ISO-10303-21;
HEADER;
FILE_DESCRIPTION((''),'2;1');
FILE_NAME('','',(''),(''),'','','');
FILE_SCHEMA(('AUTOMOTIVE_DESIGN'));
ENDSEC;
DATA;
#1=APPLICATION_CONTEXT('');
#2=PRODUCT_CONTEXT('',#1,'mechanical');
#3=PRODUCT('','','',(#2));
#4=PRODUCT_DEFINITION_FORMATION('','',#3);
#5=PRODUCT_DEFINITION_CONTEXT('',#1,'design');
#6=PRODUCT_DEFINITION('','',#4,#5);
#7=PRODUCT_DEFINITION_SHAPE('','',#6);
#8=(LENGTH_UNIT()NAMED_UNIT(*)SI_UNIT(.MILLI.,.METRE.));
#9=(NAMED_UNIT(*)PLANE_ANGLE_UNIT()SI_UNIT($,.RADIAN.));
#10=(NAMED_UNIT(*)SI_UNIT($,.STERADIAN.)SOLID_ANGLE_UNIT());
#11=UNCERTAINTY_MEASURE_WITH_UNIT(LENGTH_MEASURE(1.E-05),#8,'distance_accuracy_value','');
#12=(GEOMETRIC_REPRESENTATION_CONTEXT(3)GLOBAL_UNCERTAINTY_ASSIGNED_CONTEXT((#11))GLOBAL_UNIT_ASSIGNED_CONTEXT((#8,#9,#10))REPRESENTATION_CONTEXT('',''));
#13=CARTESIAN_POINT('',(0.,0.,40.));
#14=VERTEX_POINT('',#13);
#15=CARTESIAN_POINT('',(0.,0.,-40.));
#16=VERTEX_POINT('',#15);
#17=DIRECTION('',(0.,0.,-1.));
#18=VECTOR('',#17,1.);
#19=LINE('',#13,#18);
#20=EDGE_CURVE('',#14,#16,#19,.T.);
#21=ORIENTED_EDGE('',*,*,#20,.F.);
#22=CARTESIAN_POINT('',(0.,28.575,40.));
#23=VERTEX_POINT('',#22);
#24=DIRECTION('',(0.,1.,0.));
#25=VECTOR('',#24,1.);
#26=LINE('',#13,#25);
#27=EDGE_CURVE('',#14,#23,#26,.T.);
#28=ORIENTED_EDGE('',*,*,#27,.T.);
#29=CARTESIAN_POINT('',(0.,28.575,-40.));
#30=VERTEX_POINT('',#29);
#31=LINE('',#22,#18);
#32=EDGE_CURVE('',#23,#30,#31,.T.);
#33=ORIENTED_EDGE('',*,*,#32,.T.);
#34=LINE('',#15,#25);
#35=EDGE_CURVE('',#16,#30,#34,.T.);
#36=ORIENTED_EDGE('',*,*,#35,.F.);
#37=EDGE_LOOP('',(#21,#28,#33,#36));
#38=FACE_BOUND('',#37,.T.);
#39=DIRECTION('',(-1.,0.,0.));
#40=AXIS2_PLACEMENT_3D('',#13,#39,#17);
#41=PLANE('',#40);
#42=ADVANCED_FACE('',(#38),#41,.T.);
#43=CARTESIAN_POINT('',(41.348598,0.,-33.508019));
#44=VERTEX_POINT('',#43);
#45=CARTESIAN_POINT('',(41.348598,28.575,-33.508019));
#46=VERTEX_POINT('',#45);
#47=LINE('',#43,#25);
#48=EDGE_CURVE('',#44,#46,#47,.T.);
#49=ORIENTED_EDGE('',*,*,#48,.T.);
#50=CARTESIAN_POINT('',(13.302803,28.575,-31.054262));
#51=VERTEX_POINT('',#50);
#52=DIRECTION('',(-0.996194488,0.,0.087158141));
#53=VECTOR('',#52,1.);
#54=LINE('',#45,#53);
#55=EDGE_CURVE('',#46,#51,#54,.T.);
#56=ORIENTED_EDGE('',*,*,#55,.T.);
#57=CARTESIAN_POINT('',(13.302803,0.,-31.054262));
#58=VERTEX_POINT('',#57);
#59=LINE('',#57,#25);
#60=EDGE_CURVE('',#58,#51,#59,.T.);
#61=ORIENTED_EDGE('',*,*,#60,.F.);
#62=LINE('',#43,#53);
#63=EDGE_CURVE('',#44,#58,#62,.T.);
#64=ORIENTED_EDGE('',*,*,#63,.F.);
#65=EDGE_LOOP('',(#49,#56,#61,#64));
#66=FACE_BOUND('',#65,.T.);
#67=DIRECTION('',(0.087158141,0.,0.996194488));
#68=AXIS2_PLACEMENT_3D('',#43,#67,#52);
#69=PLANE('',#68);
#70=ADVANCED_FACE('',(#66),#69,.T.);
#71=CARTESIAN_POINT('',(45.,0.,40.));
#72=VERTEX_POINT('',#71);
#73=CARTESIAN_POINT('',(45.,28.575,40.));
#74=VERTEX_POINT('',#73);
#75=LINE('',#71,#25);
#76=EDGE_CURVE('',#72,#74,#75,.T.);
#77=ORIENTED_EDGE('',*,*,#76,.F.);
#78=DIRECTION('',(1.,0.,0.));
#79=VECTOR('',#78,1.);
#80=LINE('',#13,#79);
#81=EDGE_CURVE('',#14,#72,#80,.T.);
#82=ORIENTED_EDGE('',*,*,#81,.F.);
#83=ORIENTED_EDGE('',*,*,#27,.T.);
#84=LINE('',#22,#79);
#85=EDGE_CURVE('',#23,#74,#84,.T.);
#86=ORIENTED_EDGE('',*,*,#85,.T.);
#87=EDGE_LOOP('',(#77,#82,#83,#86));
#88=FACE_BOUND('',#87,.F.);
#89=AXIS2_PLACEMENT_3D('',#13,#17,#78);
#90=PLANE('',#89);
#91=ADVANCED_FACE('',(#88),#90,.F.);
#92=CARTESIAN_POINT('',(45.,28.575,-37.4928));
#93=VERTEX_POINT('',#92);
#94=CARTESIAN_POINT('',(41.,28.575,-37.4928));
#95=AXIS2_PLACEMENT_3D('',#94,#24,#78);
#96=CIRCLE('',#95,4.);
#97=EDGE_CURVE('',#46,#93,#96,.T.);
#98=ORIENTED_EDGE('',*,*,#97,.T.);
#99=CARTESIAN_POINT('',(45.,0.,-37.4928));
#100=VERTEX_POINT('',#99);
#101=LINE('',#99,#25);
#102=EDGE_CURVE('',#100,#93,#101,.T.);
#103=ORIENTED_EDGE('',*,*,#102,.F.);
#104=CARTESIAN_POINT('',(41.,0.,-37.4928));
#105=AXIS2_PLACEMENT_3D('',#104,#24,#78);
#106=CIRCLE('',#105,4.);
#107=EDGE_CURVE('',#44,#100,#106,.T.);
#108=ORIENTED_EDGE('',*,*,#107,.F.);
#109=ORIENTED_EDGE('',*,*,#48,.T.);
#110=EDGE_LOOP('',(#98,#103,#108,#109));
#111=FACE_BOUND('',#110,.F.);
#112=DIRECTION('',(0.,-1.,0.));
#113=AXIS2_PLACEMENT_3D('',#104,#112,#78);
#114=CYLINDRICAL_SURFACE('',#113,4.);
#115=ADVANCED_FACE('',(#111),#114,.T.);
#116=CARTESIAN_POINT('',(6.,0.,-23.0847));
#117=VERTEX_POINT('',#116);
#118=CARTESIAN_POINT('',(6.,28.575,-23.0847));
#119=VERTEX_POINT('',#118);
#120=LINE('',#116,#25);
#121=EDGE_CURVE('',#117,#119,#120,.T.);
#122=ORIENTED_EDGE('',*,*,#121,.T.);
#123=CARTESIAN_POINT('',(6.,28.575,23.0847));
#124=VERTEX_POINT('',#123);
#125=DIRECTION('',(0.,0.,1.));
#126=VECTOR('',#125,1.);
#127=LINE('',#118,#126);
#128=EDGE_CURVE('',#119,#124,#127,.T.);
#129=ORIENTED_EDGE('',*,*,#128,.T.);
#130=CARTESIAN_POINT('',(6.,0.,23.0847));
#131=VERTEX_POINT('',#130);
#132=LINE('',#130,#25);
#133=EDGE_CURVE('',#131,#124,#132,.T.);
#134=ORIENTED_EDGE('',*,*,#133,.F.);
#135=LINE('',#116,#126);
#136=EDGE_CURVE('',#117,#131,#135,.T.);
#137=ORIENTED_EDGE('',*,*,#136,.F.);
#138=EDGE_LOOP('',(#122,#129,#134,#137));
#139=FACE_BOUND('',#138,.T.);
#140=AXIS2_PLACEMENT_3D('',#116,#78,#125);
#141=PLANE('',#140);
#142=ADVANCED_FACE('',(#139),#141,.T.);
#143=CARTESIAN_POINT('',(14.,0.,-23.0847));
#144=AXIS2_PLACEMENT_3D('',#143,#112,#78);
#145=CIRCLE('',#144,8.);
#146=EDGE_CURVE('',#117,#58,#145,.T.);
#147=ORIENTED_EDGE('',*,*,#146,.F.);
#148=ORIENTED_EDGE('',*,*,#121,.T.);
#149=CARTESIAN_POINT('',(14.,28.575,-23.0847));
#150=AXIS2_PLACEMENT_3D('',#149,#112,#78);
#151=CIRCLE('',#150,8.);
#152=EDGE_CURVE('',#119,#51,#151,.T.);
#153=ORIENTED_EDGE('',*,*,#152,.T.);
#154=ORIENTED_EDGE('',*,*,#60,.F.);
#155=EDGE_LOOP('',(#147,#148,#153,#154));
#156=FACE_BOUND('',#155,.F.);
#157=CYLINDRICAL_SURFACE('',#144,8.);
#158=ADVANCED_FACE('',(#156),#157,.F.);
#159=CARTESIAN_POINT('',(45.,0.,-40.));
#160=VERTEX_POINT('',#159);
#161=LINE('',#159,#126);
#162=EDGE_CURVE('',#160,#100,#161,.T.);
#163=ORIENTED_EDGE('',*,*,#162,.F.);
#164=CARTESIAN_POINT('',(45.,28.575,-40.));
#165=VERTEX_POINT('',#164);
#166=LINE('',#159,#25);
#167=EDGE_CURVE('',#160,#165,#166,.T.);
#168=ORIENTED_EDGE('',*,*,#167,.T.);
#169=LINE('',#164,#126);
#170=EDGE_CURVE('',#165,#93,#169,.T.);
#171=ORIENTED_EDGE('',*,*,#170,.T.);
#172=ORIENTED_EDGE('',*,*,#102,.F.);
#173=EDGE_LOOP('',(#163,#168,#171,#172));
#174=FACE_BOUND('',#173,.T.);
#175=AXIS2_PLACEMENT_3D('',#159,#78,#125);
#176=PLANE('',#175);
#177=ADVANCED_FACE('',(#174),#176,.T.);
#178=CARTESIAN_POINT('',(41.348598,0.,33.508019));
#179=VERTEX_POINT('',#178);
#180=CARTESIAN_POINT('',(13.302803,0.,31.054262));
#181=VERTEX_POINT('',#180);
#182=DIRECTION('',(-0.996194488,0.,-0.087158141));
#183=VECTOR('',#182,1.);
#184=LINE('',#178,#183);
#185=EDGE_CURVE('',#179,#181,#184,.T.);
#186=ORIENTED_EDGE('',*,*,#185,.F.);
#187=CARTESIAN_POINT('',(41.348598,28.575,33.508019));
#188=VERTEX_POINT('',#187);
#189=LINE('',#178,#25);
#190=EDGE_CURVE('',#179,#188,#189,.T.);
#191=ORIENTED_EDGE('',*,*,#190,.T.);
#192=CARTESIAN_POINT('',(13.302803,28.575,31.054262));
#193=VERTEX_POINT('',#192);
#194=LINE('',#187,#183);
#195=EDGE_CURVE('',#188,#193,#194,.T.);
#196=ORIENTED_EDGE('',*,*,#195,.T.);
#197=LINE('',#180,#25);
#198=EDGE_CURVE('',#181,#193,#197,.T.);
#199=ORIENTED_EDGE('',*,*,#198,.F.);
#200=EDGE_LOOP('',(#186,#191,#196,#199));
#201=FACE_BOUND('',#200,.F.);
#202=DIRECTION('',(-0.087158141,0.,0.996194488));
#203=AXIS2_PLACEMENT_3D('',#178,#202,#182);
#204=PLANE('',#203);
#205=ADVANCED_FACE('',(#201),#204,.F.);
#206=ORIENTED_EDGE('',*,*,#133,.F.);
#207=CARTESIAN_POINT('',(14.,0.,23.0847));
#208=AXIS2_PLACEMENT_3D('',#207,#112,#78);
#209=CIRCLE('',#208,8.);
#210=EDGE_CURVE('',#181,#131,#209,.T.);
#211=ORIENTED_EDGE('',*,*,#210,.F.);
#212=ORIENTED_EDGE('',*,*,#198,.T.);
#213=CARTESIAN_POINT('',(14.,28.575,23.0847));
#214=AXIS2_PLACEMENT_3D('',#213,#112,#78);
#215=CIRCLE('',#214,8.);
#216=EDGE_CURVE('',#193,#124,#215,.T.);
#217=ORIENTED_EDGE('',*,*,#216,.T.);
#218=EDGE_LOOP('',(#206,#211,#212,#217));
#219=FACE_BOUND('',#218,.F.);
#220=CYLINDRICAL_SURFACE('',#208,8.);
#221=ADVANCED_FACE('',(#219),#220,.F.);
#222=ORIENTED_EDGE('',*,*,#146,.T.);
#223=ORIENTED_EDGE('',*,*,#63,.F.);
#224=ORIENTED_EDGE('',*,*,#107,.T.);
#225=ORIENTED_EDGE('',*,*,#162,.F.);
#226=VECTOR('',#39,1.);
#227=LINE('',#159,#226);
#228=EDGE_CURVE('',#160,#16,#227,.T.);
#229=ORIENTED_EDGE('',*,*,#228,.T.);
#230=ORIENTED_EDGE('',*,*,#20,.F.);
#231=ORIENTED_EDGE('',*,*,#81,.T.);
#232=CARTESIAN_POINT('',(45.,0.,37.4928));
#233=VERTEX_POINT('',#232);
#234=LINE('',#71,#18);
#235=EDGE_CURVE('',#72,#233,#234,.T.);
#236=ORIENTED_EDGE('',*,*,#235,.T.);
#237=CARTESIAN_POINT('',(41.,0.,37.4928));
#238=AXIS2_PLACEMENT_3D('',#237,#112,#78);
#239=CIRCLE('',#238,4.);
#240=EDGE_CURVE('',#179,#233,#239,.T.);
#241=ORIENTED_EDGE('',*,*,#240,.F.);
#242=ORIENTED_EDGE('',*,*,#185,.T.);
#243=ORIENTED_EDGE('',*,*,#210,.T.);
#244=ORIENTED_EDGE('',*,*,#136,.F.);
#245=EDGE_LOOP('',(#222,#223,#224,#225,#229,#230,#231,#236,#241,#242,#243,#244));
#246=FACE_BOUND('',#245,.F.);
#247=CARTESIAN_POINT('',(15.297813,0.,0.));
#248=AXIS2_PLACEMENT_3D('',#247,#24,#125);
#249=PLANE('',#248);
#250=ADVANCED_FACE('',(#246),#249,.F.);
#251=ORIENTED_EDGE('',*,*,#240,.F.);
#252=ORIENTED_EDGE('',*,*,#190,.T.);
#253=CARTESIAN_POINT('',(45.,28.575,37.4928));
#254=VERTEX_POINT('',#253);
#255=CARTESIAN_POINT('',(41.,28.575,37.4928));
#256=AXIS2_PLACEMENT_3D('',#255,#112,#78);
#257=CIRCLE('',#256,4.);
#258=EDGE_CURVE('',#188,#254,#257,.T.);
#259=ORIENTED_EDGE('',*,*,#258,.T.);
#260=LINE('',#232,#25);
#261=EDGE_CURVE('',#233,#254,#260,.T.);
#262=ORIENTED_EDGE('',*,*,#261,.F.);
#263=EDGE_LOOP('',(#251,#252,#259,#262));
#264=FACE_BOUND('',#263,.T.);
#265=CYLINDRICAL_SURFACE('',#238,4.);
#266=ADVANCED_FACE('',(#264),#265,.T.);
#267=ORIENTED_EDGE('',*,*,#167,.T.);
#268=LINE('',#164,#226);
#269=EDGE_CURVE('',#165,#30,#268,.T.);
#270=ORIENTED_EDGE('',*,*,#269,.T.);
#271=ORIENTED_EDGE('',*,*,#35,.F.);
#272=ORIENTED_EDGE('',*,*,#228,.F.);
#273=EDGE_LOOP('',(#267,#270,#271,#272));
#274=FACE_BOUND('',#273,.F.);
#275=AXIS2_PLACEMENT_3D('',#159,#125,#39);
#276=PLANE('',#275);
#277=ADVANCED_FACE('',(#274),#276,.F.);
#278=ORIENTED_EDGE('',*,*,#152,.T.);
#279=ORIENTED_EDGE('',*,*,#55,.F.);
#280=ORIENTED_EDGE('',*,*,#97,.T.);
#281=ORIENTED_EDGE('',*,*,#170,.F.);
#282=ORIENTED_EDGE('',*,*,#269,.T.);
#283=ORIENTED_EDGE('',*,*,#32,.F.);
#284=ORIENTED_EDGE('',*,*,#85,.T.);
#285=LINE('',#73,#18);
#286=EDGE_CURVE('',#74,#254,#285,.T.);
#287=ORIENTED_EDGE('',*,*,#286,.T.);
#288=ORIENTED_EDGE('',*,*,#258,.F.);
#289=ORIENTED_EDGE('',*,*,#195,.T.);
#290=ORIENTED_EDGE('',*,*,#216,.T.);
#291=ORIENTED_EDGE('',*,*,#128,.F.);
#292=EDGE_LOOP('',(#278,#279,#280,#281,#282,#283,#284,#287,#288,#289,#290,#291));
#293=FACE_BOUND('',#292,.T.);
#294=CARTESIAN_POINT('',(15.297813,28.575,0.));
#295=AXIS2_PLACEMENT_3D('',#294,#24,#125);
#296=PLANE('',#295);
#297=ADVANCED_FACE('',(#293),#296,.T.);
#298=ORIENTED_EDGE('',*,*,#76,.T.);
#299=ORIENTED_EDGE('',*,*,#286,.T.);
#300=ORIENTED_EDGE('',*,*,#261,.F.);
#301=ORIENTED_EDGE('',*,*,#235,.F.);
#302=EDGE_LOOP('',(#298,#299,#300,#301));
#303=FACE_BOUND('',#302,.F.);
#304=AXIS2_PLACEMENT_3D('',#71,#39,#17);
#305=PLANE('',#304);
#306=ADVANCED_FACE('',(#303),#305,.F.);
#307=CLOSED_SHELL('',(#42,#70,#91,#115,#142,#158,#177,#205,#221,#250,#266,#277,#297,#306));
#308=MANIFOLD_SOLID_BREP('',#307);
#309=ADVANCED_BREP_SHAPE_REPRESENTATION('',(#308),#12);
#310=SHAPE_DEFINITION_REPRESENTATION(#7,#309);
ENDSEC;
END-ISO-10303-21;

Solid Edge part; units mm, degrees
sketch "Sketch1" plane through (0, 0, 0) normal (0, -1, 0) x (1, 0, 0)
  line L0 (45, -40) -> (0, -40)
  line L1 (0, 40) -> (0, -40)
  line L2 (0, 40) -> (45, 40)
  line L3 (45, 40) -> (45, 37.4928)
  arc A0 (41.3486, 33.508) -> (45, 37.4928) centre (41, 37.4928) ccw
  line L4 (41.3486, 33.508) -> (13.3028, 31.0543)
  arc A1 (13.3028, 31.0543) -> (6, 23.0847) centre (14, 23.0847) ccw
  line L5 (6, -23.0847) -> (6, 23.0847)
  arc A2 (6, -23.0847) -> (13.3028, -31.0543) centre (14, -23.0847) ccw
  line L6 (41.3486, -33.508) -> (13.3028, -31.0543)
  arc A3 (41.3486, -33.508) -> (45, -37.4928) centre (41, -37.4928) cw
  line L7 (45, -40) -> (45, -37.4928)
  dimension "D1" = 2.5072
  dimension "D2" = 2.5072
  dimension "D3" = 80
  dimension "D4" = 45
  dimension "D5" = 6
extrude "Protrusion1" add sketch "Sketch1" against normal blind 28.575
